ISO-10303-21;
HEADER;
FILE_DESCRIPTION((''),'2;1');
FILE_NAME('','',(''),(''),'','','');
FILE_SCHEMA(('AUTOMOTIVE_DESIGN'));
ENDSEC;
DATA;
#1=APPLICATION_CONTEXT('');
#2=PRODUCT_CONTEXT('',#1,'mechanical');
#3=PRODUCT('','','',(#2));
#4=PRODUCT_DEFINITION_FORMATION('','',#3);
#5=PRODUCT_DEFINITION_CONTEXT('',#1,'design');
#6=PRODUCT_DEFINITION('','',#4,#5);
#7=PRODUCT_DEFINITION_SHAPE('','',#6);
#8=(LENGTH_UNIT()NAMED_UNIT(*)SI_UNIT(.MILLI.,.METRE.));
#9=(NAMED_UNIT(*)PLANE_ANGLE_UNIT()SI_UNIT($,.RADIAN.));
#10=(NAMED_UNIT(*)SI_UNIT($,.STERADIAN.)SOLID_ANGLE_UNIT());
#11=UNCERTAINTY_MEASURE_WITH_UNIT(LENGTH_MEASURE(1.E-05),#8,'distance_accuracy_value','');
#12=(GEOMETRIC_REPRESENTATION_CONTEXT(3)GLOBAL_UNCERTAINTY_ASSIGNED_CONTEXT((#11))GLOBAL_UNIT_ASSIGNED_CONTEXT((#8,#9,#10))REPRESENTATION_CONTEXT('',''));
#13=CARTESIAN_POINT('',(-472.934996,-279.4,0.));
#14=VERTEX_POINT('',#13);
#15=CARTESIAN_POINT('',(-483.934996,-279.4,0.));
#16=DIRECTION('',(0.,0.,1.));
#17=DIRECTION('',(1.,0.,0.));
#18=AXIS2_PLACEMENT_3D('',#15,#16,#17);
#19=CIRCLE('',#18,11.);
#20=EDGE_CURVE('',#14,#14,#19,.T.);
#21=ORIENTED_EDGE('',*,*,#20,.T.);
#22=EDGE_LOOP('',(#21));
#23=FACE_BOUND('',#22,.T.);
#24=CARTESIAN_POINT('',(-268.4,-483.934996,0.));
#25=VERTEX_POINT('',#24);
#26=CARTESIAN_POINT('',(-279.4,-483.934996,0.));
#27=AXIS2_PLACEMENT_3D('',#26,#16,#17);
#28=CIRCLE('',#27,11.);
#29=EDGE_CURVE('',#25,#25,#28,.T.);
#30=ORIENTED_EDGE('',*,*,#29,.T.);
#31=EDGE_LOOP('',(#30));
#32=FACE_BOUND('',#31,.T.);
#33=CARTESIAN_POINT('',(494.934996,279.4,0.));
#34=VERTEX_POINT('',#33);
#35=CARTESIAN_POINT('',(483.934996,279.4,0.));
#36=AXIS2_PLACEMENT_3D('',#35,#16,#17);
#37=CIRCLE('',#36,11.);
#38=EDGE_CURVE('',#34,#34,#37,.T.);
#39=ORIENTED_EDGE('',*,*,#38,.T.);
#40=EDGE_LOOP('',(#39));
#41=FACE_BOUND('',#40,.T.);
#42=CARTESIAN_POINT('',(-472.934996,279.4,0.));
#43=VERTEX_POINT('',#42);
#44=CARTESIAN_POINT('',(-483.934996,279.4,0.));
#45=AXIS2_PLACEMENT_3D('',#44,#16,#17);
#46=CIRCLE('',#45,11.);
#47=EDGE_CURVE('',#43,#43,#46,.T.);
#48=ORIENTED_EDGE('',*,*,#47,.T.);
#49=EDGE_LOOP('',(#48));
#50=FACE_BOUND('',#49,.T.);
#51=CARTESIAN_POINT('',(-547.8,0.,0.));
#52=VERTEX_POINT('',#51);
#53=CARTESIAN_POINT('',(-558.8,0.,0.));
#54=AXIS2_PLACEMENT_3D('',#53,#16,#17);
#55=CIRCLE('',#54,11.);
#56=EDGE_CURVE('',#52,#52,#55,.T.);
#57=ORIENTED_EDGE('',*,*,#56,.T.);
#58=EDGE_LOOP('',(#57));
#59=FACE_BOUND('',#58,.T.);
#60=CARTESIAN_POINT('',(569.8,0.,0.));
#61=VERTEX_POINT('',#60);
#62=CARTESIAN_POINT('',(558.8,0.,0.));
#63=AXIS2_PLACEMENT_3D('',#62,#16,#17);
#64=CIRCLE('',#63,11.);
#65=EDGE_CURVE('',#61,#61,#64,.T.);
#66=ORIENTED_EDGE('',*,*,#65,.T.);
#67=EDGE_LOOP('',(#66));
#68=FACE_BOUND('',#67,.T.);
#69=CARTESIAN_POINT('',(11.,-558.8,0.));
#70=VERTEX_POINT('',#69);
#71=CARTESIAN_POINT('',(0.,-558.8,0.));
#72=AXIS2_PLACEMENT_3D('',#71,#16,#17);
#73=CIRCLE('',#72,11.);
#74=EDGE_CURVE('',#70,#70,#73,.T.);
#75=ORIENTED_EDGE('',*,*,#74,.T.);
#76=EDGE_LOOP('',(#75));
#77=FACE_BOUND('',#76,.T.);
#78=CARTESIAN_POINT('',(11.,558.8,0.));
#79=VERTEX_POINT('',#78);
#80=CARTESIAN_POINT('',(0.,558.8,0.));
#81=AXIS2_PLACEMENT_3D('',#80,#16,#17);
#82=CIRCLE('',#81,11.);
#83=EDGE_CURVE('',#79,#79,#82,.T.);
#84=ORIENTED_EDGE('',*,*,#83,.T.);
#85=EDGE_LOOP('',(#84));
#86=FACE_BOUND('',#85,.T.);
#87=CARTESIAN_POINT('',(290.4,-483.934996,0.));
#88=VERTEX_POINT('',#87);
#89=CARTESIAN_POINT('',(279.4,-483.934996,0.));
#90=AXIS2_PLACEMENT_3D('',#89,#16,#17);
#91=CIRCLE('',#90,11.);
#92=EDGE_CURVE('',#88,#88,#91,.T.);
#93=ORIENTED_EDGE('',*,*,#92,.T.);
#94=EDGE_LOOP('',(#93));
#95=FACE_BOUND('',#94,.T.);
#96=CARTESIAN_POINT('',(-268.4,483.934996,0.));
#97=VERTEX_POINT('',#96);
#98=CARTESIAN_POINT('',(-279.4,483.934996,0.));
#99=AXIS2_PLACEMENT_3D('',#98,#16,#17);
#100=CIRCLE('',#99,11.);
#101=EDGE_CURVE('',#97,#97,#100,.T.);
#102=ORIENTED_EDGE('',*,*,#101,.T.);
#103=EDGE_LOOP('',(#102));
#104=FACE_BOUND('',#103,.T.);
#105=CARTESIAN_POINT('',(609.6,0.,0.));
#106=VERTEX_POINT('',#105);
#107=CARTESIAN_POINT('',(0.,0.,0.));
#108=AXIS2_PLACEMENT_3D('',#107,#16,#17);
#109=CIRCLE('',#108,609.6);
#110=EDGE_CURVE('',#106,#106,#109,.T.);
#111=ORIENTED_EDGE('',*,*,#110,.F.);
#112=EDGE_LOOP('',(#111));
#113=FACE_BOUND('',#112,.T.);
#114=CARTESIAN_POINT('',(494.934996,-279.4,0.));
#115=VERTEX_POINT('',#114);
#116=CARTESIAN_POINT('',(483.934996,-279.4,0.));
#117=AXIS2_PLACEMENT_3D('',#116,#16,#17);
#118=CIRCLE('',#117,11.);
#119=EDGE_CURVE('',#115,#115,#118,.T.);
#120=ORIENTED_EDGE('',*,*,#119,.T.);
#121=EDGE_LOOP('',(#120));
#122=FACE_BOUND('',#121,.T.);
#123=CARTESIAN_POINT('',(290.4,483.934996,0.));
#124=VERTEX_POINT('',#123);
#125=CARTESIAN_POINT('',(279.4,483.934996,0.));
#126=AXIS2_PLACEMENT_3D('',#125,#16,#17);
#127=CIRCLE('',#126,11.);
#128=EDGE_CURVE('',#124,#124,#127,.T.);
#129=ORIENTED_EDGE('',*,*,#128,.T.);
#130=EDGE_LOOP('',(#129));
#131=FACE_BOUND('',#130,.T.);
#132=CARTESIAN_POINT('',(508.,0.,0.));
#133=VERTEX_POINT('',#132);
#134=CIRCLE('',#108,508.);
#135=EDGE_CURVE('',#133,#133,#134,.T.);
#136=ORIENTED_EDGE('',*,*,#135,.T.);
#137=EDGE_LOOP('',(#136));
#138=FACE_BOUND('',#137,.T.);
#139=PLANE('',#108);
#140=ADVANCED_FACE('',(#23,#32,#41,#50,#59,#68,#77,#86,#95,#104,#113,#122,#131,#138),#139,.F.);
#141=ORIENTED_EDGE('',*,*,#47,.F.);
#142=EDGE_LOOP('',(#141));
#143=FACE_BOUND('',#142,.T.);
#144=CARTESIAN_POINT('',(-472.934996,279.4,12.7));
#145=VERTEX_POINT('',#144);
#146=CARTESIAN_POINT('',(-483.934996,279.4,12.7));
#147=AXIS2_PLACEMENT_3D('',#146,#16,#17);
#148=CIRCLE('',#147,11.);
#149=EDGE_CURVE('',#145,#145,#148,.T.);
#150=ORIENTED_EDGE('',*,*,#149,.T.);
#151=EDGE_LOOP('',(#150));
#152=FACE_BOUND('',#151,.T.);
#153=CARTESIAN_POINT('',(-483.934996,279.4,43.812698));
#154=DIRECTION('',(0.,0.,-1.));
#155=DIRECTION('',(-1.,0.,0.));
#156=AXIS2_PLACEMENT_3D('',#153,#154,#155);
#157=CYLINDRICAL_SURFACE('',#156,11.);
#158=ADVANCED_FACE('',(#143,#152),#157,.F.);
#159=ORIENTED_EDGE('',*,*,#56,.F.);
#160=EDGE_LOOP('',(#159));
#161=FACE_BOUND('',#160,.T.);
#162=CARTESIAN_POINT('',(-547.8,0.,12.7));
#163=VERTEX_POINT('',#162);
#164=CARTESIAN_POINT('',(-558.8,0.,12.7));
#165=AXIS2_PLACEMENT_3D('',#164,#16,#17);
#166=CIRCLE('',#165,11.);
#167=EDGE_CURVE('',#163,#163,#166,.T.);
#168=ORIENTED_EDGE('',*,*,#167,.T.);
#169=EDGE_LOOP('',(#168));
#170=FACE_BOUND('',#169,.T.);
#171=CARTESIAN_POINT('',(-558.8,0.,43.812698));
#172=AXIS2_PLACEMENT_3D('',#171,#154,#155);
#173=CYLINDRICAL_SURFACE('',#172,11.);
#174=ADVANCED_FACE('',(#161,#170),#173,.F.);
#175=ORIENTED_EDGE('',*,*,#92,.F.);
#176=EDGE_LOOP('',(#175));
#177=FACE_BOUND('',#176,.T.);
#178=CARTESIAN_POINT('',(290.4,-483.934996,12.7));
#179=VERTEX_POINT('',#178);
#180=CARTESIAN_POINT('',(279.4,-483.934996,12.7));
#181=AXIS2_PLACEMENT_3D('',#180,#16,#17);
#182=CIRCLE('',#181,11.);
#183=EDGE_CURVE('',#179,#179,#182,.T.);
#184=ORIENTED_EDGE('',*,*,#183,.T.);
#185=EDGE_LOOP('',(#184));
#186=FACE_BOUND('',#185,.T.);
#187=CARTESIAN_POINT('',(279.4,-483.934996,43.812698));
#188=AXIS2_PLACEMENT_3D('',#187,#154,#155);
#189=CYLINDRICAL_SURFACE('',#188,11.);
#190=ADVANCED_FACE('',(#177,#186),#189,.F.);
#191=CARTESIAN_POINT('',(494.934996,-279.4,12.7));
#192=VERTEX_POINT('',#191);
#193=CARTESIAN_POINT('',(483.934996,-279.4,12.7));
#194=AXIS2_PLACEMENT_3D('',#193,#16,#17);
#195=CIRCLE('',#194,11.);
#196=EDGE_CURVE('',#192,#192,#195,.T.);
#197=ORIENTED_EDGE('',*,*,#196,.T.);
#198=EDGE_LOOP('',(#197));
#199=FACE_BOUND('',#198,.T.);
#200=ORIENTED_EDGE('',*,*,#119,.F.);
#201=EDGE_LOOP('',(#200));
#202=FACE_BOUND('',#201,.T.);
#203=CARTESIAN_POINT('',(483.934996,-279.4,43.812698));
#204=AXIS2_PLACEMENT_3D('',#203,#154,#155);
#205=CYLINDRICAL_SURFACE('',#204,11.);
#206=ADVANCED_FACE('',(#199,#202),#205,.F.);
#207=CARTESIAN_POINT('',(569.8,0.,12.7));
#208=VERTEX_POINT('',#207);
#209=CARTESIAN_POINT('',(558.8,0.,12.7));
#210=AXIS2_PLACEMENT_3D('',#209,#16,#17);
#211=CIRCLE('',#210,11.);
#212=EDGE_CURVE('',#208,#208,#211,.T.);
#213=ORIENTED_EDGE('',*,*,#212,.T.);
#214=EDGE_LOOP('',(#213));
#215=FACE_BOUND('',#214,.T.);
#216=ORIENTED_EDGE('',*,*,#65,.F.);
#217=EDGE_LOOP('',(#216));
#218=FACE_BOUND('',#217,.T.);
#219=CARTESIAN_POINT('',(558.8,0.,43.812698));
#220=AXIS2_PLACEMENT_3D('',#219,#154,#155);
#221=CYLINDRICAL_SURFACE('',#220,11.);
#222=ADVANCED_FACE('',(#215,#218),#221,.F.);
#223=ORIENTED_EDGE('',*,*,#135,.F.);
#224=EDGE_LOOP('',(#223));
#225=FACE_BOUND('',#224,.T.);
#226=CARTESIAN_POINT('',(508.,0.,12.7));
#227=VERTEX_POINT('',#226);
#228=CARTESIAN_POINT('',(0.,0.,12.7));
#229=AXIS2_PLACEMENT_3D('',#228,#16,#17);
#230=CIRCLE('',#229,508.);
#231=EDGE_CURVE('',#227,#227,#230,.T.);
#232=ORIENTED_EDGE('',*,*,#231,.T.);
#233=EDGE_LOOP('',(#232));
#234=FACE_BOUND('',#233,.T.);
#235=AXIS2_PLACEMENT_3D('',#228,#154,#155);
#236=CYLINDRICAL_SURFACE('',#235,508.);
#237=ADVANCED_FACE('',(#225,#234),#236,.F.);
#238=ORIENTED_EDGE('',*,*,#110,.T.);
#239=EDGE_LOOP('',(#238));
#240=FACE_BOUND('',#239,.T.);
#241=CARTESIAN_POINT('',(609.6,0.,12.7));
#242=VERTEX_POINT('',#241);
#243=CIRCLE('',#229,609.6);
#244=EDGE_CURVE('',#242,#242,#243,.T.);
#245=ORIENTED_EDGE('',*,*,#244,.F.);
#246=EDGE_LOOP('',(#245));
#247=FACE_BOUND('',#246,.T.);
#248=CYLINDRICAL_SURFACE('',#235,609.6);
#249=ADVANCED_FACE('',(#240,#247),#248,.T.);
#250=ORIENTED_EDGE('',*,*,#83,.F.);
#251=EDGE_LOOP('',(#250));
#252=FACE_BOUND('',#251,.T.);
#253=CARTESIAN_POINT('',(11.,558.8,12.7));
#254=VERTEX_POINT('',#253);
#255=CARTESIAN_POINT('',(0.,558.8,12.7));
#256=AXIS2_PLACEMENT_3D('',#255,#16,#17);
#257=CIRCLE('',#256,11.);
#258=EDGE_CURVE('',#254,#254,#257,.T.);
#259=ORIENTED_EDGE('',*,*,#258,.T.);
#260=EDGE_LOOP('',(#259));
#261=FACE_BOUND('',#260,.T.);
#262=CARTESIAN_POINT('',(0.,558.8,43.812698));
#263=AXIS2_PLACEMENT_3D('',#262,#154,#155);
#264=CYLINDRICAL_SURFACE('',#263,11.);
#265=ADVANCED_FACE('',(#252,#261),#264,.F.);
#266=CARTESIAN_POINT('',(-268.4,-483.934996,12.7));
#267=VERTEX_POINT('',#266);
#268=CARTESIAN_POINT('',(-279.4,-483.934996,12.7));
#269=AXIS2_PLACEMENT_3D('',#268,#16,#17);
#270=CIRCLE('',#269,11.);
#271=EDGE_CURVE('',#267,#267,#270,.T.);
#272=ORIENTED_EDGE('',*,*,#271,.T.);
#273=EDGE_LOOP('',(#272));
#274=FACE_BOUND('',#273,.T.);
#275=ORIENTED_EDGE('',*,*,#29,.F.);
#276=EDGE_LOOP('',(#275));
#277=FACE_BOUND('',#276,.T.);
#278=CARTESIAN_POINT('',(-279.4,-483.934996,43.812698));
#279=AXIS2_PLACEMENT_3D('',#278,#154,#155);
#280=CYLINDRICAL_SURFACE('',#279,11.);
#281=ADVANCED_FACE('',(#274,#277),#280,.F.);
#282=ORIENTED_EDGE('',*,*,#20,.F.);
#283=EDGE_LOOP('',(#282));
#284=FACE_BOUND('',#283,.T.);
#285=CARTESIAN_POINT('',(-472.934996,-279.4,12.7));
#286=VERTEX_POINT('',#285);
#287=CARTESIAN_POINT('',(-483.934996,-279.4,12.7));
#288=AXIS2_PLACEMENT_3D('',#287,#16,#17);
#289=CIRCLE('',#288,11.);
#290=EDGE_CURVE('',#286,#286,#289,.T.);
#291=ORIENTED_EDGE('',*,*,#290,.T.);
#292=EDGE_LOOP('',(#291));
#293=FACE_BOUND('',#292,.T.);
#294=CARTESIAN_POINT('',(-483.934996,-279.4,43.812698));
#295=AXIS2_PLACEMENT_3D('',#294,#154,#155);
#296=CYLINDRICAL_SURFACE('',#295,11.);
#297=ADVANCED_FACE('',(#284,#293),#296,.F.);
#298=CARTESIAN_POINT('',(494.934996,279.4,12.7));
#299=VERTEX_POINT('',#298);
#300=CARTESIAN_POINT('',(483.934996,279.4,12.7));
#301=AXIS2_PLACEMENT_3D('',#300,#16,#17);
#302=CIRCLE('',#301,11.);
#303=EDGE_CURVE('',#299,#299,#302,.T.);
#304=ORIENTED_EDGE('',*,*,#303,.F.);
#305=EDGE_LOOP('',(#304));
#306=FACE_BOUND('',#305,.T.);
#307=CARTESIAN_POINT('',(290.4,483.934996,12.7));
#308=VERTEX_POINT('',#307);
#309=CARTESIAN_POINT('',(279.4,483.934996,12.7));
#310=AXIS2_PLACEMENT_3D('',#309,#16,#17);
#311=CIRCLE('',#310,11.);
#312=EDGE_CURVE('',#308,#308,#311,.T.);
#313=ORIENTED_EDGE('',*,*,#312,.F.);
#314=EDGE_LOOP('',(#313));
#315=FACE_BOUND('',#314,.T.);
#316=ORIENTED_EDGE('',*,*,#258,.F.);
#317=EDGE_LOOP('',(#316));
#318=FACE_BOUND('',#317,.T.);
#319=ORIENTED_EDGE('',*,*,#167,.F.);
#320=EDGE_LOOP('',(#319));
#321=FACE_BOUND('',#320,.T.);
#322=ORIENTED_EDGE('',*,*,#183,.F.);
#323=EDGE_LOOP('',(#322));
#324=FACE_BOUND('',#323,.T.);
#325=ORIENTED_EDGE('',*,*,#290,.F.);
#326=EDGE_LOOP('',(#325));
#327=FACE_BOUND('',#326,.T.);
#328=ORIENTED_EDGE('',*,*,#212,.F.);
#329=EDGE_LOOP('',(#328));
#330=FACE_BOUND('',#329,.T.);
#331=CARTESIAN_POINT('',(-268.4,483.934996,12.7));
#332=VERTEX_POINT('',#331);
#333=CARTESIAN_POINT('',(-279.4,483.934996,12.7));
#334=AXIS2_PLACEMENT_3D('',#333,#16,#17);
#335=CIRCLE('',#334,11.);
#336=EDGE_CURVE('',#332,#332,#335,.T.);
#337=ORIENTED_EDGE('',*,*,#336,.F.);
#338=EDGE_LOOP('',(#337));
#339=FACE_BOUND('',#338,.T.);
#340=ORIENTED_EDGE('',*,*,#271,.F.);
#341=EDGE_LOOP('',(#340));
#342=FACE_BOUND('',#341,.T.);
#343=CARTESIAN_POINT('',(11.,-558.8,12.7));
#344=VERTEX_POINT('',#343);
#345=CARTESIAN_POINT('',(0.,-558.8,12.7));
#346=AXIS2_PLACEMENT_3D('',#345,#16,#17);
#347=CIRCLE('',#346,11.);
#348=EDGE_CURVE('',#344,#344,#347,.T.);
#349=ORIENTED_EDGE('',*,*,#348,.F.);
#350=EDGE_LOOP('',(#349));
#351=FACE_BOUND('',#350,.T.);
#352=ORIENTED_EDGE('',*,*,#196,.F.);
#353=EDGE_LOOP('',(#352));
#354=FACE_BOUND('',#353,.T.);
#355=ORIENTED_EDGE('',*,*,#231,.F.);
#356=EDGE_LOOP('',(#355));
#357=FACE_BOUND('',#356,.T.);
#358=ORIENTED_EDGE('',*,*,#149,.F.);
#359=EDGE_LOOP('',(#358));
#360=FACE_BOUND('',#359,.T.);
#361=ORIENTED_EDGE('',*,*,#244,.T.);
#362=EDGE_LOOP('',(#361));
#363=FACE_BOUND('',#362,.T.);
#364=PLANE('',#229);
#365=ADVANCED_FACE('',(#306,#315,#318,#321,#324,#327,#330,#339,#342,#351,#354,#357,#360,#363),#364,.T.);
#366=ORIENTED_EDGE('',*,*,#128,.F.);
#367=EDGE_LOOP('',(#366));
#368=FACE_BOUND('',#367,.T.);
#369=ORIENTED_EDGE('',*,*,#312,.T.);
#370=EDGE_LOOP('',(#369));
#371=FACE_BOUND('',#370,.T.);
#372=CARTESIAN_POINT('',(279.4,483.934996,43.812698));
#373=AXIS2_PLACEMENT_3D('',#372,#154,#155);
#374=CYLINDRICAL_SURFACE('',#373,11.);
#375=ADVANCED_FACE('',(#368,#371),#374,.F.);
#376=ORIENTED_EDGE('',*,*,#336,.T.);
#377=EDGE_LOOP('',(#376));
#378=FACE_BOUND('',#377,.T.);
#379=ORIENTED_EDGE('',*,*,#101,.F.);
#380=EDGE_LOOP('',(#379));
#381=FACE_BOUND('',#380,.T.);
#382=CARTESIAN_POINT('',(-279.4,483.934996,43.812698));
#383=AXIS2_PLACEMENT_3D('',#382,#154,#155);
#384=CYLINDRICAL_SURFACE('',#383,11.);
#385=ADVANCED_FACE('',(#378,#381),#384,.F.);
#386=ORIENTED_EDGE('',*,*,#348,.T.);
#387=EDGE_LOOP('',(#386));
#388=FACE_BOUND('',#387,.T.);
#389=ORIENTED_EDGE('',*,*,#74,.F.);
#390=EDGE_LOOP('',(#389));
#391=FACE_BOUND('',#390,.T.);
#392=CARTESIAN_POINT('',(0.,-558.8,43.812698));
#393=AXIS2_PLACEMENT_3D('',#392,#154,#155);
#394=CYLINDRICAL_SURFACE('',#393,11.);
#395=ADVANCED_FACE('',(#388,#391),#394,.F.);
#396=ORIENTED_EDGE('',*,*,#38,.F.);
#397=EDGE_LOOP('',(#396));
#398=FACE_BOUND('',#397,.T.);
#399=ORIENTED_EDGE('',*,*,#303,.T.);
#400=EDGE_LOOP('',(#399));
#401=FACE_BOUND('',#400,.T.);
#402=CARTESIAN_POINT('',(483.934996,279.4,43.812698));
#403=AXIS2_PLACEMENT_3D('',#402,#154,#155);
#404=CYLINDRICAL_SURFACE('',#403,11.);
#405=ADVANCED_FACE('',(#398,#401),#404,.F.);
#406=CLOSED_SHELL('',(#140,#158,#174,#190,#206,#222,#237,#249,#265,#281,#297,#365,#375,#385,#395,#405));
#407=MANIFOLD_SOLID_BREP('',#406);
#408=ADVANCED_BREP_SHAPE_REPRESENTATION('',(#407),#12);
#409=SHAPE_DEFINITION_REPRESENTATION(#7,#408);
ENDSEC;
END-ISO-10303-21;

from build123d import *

# Parameters (mm, degrees)
SKETCH1_R           = 609.6
SKETCH1_R_2         = 508
BOSS_EXTRUDE1_DEPTH = 12.7
SKETCH2_R           = 11
CUT_EXTRUDE1_DEPTH  = 12.7


with BuildPart() as part:
    # Sketch1 → Boss-Extrude1 (new body)
    with BuildSketch(Plane.XY):
        Circle(SKETCH1_R)
        Circle(SKETCH1_R_2, mode=Mode.SUBTRACT)
    extrude(amount=BOSS_EXTRUDE1_DEPTH)

    # Sketch2 → Cut-Extrude1 (cut)
    with BuildSketch(Plane.XY):
        with Locations((0, 215.685000111)):
            Circle(SKETCH2_R)
        with Locations((0, 558.8)):
            Circle(SKETCH2_R)
        with Locations((279.4, 483.934995635)):
            Circle(SKETCH2_R)
        with Locations((483.934995635, 279.4)):
            Circle(SKETCH2_R)
        with Locations((558.8, 0)):
            Circle(SKETCH2_R)
        with Locations((483.934995635, -279.4)):
            Circle(SKETCH2_R)
        with Locations((279.4, -483.934995635)):
            Circle(SKETCH2_R)
        with Locations((0, -558.8)):
            Circle(SKETCH2_R)
        with Locations((-279.4, -483.934995635)):
            Circle(SKETCH2_R)
        with Locations((-483.934995635, -279.4)):
            Circle(SKETCH2_R)
        with Locations((-558.8, 0)):
            Circle(SKETCH2_R)
        with Locations((-483.934995635, 279.4)):
            Circle(SKETCH2_R)
        with Locations((-279.4, 483.934995635)):
            Circle(SKETCH2_R)
    extrude(amount=CUT_EXTRUDE1_DEPTH, mode=Mode.SUBTRACT)


solid = part.part
